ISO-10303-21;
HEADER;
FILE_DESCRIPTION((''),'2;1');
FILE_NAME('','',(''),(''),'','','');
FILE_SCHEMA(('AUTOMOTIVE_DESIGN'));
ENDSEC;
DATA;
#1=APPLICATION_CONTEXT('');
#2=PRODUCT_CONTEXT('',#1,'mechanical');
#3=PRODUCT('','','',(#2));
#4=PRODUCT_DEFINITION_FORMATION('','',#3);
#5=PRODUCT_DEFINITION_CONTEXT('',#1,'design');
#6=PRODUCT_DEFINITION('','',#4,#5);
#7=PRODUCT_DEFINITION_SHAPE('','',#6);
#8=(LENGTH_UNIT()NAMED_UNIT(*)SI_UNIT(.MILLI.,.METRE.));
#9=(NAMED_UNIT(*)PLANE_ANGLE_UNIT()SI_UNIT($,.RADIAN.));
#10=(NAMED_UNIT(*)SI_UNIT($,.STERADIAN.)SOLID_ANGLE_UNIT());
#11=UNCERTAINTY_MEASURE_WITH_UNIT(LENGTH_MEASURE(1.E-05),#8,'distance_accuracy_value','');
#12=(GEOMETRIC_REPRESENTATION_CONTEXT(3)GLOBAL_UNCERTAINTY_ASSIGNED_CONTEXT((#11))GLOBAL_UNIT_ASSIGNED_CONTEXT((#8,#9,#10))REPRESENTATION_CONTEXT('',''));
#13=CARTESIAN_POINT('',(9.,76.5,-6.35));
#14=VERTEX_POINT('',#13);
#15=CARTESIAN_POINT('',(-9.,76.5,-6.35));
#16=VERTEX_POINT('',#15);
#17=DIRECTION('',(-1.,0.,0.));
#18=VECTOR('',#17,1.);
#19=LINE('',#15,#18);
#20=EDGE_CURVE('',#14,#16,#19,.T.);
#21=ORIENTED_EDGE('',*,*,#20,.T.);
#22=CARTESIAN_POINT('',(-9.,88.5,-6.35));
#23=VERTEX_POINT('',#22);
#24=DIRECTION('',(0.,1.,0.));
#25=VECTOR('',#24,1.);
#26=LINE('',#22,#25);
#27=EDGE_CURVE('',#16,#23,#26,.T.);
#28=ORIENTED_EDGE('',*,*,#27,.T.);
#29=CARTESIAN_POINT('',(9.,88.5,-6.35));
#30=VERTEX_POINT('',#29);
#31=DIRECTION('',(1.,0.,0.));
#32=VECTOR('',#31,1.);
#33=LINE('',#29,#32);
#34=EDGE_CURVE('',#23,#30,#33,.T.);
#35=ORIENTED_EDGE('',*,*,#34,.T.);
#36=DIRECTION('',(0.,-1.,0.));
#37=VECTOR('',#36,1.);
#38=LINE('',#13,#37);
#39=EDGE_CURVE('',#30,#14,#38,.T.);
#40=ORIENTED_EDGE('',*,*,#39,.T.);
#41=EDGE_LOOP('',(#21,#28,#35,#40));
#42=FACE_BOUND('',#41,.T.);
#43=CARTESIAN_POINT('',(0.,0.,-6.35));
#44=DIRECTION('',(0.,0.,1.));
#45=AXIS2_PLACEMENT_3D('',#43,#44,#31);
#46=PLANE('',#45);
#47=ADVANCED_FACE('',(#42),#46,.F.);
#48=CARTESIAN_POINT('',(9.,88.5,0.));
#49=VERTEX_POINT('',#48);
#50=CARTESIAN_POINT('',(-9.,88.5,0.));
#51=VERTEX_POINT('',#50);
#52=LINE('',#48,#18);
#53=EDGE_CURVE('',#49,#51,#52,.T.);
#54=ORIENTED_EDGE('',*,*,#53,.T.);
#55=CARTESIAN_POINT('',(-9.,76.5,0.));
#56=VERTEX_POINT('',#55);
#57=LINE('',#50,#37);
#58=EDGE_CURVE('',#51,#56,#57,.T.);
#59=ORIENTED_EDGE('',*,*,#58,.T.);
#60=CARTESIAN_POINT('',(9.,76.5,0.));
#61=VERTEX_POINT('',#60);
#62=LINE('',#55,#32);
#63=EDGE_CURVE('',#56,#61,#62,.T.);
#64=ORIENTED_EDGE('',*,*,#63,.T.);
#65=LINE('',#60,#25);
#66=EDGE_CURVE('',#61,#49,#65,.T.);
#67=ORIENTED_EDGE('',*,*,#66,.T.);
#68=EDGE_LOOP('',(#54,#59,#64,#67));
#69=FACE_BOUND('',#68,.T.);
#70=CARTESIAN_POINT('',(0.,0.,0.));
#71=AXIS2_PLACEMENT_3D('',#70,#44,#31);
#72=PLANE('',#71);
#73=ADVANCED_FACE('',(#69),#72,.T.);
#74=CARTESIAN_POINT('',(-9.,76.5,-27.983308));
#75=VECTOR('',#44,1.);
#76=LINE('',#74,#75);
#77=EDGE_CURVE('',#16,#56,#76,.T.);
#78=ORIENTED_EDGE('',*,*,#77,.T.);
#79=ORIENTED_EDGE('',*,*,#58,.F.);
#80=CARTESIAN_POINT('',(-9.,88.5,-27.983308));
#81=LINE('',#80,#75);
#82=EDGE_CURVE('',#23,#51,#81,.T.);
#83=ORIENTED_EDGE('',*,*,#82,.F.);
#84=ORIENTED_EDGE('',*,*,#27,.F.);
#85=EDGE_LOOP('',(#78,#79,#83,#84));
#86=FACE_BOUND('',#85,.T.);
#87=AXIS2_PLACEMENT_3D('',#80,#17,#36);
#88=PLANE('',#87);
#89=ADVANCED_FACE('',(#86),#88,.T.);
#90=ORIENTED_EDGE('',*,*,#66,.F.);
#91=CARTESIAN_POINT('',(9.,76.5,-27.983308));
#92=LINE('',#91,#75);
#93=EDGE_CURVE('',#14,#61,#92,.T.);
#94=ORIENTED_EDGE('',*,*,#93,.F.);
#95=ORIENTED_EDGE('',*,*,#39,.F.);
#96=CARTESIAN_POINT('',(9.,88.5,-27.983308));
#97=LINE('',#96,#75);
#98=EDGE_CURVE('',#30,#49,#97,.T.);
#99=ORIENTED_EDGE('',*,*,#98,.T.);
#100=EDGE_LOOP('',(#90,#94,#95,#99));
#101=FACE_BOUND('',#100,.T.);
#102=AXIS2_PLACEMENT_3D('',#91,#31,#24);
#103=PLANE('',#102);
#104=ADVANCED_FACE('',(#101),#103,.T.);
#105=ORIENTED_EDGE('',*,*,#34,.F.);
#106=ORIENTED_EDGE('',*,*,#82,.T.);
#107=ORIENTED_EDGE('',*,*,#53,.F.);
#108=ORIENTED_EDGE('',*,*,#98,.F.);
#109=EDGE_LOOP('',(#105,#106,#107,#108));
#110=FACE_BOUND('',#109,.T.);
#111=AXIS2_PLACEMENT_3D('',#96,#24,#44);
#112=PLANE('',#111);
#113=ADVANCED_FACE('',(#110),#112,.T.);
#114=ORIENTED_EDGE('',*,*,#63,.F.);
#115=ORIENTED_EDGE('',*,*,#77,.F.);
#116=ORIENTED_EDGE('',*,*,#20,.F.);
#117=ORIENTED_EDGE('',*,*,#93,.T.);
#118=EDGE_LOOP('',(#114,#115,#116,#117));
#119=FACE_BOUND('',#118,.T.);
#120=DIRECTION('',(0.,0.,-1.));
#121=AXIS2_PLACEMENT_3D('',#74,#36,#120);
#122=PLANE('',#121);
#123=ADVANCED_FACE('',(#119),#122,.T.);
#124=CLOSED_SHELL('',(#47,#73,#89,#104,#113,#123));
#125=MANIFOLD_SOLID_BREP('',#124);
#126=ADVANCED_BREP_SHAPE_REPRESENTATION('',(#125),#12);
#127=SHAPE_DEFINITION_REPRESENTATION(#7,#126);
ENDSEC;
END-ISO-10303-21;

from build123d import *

# Parameters (mm, degrees)
SKETCH1_W           = 18
SKETCH1_H           = 12
BOSS_EXTRUDE1_DEPTH = 6.35


with BuildPart() as part:
    # Sketch1 → Boss-Extrude1 (new body)
    with BuildSketch(Plane.XY):
        with Locations((0, 82.5)):
            Rectangle(SKETCH1_W, SKETCH1_H)
    extrude(amount=-BOSS_EXTRUDE1_DEPTH)


solid = part.part
